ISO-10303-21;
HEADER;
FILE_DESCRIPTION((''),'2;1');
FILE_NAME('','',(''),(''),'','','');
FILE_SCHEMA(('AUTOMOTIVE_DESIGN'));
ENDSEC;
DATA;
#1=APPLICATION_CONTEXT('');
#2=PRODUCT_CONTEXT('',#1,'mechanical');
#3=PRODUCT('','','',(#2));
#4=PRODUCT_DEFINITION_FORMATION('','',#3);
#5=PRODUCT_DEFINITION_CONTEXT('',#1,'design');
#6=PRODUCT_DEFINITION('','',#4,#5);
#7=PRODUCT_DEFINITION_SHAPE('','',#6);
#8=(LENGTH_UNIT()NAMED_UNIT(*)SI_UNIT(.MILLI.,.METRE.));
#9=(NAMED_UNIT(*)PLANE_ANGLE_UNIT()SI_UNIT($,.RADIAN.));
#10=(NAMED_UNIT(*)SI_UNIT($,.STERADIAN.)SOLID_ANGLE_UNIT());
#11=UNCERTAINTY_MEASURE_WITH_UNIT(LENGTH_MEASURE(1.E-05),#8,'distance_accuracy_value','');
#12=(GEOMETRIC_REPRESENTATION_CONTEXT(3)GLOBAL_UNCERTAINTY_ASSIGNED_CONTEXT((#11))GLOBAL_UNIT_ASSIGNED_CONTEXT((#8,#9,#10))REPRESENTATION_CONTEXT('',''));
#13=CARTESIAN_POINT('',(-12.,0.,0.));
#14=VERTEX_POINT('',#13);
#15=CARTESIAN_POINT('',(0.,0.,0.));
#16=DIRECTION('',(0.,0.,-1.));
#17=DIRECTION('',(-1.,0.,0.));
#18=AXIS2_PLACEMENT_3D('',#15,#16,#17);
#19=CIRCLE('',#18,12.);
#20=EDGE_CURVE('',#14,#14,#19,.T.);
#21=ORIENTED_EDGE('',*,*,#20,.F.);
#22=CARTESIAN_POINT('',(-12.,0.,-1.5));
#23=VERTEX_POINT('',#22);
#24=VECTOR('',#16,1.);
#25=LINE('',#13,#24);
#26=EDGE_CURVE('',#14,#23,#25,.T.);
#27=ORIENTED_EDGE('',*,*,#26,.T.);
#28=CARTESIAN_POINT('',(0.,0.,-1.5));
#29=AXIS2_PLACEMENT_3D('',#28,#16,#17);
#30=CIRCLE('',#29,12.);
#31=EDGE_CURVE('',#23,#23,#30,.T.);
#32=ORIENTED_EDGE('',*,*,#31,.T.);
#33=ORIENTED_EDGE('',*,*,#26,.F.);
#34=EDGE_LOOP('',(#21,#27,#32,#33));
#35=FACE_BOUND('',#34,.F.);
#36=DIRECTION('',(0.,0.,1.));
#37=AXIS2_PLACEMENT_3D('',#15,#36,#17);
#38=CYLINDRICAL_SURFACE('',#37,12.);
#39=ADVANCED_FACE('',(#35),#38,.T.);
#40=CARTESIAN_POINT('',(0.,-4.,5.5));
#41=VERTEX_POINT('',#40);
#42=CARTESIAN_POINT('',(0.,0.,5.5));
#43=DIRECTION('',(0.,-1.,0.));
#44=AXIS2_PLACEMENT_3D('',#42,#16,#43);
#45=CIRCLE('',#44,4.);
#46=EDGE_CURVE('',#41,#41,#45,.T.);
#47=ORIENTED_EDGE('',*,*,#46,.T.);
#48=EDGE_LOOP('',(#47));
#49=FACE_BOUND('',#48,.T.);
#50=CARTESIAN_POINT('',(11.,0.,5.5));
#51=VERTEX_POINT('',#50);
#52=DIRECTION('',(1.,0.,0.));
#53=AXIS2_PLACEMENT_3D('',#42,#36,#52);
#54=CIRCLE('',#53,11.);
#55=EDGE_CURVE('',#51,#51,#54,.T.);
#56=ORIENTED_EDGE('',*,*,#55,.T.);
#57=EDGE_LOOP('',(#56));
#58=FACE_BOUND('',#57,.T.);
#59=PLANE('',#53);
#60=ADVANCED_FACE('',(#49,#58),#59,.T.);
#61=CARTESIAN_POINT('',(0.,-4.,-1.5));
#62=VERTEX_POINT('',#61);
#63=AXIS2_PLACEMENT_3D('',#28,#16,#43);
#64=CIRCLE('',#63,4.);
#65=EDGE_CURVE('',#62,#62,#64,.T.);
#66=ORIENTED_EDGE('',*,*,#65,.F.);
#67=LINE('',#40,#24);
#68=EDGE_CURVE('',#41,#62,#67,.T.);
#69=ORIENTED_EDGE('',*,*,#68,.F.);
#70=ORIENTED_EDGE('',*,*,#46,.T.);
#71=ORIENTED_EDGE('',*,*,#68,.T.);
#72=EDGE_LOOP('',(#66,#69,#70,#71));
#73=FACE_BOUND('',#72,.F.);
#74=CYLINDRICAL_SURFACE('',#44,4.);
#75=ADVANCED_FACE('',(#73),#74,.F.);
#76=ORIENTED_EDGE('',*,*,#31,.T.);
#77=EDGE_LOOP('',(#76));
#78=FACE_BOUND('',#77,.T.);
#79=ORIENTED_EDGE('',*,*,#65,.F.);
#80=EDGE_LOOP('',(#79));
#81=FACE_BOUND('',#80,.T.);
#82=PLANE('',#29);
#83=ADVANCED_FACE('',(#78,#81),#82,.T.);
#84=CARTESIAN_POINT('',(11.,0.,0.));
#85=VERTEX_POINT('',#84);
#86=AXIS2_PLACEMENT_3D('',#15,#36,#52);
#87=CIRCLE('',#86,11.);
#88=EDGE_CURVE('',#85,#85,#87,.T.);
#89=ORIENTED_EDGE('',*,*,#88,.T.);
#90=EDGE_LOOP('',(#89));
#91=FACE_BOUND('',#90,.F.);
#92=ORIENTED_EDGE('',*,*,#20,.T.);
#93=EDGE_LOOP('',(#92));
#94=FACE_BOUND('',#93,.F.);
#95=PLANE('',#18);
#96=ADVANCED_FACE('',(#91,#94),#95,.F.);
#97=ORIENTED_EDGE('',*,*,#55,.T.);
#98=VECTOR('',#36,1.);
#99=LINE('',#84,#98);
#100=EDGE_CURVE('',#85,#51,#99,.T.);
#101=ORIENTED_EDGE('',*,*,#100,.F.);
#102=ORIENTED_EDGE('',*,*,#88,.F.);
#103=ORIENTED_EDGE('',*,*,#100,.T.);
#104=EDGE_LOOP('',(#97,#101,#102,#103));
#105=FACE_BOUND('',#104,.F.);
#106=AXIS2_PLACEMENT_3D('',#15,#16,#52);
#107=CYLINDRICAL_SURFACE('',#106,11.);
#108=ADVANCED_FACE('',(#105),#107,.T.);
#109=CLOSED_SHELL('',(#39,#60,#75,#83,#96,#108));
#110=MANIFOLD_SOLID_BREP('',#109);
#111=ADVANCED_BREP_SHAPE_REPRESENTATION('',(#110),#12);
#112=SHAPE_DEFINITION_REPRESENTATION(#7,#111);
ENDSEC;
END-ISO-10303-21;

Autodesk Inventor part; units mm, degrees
ref_plane "YZ Plane" through (0, 0, 0) normal (1, 0, 0) x (0, 1, 0)
ref_plane "XZ Plane" through (0, 0, 0) normal (0, 1, 0) x (-1, 0, 0)
ref_plane "XY Plane" through (0, 0, 0) normal (0, 0, 1) x (1, 0, 0)
sketch "スケッチ1" plane through (0, 0, 0) normal (0, 0, 1) x (1, 0, 0)
  circle A0 centre (0, 0) radius 11
  dimension "d0" = 22
extrude "押し出し1" add sketch "スケッチ1" along normal blind 5.5
sketch "スケッチ2" plane through (0, 0, 0) normal (0, 0, -1) x (-1, 0, 0)
  circle A0 centre (0, 0) radius 12
  dimension "d3" = 24
extrude "押し出し2" add sketch "スケッチ2" along normal blind 1.5
sketch "スケッチ3" plane through (0, 0, 5.5) normal (0, 0, 1) x (1, 0, 0)
  point P0 (0, 0)
  point P1 (0, 0)
hole "穴1" at (0, 0, 5.5) direction (0, 0, -1) diameter 8 depth 7 tip angle 118
properties part number "玉軸受2 F608ZZ"
